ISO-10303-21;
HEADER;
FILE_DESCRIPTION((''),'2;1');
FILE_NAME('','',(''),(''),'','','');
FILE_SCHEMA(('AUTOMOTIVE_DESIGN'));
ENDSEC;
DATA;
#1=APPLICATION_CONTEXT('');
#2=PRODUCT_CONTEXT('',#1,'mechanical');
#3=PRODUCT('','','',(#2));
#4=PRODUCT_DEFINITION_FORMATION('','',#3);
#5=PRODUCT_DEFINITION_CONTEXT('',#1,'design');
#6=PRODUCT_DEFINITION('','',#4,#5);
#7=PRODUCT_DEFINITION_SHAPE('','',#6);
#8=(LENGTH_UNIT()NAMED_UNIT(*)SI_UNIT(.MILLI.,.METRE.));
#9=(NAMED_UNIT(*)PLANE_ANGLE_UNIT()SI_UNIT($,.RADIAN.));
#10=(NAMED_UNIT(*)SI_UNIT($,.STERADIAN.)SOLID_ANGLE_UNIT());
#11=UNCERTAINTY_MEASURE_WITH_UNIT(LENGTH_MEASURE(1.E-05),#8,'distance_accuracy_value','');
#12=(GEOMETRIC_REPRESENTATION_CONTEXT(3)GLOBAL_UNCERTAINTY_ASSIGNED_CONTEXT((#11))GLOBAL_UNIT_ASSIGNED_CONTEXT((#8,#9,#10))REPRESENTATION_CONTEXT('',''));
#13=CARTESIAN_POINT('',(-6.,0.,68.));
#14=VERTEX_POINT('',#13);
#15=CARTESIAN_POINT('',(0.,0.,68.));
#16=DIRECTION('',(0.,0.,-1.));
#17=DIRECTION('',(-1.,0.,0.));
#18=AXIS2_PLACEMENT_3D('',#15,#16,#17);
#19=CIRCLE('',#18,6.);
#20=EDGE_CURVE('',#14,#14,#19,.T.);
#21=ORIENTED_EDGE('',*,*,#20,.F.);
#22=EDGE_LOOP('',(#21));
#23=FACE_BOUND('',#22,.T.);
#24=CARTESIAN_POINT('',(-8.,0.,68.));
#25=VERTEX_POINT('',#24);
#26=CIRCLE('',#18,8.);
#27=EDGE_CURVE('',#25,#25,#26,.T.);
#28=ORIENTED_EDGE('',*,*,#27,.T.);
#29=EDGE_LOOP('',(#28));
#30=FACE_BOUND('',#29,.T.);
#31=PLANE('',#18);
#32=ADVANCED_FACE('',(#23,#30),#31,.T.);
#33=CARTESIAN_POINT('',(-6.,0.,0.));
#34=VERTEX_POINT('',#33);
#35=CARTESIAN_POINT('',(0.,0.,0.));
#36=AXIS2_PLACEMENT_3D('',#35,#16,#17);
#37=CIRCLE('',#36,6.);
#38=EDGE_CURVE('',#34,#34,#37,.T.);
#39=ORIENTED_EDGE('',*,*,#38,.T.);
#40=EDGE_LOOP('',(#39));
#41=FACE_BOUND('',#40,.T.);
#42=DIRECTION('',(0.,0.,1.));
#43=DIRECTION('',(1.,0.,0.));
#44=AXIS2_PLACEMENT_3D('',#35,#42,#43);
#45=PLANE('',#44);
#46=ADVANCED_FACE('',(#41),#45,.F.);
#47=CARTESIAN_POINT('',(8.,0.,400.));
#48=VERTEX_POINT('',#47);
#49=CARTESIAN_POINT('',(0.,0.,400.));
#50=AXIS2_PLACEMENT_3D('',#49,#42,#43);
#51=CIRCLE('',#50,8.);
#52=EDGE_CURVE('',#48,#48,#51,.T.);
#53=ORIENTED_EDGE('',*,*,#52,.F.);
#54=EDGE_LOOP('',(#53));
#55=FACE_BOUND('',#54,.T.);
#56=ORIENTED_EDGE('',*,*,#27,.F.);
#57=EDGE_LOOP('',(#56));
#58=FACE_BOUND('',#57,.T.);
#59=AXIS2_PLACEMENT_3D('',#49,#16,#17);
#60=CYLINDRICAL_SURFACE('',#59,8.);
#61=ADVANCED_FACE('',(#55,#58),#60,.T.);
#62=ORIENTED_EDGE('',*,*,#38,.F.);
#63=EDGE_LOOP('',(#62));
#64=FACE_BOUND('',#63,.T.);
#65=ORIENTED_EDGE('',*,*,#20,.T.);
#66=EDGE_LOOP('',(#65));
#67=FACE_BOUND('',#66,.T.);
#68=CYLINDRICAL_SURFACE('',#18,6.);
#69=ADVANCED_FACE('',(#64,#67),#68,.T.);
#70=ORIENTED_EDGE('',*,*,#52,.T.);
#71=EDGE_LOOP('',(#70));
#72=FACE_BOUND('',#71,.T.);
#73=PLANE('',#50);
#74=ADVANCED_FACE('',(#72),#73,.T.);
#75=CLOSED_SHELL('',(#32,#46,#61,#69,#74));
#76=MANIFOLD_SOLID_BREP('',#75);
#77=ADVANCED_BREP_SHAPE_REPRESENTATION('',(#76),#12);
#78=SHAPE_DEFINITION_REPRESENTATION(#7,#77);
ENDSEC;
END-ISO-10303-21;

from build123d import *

# Parameters (mm, degrees)
SKETCH1_R           = 8
BOSS_EXTRUDE1_DEPTH = 400
SKETCH2_R           = 10.666186783
SKETCH2_R_2         = 6
CUT_EXTRUDE1_DEPTH  = 68


with BuildPart() as part:
    # Sketch1 → Boss-Extrude1 (new body)
    with BuildSketch(Plane.XY):
        Circle(SKETCH1_R)
    extrude(amount=BOSS_EXTRUDE1_DEPTH)

    # Sketch2 → Cut-Extrude1 (cut)
    with BuildSketch(Plane(origin=(0, 0, 0), x_dir=(-1, 0, 0), z_dir=(0, 0, -1))):
        Circle(SKETCH2_R)
        Circle(SKETCH2_R_2, mode=Mode.SUBTRACT)
    extrude(amount=-CUT_EXTRUDE1_DEPTH, mode=Mode.SUBTRACT)


solid = part.part
